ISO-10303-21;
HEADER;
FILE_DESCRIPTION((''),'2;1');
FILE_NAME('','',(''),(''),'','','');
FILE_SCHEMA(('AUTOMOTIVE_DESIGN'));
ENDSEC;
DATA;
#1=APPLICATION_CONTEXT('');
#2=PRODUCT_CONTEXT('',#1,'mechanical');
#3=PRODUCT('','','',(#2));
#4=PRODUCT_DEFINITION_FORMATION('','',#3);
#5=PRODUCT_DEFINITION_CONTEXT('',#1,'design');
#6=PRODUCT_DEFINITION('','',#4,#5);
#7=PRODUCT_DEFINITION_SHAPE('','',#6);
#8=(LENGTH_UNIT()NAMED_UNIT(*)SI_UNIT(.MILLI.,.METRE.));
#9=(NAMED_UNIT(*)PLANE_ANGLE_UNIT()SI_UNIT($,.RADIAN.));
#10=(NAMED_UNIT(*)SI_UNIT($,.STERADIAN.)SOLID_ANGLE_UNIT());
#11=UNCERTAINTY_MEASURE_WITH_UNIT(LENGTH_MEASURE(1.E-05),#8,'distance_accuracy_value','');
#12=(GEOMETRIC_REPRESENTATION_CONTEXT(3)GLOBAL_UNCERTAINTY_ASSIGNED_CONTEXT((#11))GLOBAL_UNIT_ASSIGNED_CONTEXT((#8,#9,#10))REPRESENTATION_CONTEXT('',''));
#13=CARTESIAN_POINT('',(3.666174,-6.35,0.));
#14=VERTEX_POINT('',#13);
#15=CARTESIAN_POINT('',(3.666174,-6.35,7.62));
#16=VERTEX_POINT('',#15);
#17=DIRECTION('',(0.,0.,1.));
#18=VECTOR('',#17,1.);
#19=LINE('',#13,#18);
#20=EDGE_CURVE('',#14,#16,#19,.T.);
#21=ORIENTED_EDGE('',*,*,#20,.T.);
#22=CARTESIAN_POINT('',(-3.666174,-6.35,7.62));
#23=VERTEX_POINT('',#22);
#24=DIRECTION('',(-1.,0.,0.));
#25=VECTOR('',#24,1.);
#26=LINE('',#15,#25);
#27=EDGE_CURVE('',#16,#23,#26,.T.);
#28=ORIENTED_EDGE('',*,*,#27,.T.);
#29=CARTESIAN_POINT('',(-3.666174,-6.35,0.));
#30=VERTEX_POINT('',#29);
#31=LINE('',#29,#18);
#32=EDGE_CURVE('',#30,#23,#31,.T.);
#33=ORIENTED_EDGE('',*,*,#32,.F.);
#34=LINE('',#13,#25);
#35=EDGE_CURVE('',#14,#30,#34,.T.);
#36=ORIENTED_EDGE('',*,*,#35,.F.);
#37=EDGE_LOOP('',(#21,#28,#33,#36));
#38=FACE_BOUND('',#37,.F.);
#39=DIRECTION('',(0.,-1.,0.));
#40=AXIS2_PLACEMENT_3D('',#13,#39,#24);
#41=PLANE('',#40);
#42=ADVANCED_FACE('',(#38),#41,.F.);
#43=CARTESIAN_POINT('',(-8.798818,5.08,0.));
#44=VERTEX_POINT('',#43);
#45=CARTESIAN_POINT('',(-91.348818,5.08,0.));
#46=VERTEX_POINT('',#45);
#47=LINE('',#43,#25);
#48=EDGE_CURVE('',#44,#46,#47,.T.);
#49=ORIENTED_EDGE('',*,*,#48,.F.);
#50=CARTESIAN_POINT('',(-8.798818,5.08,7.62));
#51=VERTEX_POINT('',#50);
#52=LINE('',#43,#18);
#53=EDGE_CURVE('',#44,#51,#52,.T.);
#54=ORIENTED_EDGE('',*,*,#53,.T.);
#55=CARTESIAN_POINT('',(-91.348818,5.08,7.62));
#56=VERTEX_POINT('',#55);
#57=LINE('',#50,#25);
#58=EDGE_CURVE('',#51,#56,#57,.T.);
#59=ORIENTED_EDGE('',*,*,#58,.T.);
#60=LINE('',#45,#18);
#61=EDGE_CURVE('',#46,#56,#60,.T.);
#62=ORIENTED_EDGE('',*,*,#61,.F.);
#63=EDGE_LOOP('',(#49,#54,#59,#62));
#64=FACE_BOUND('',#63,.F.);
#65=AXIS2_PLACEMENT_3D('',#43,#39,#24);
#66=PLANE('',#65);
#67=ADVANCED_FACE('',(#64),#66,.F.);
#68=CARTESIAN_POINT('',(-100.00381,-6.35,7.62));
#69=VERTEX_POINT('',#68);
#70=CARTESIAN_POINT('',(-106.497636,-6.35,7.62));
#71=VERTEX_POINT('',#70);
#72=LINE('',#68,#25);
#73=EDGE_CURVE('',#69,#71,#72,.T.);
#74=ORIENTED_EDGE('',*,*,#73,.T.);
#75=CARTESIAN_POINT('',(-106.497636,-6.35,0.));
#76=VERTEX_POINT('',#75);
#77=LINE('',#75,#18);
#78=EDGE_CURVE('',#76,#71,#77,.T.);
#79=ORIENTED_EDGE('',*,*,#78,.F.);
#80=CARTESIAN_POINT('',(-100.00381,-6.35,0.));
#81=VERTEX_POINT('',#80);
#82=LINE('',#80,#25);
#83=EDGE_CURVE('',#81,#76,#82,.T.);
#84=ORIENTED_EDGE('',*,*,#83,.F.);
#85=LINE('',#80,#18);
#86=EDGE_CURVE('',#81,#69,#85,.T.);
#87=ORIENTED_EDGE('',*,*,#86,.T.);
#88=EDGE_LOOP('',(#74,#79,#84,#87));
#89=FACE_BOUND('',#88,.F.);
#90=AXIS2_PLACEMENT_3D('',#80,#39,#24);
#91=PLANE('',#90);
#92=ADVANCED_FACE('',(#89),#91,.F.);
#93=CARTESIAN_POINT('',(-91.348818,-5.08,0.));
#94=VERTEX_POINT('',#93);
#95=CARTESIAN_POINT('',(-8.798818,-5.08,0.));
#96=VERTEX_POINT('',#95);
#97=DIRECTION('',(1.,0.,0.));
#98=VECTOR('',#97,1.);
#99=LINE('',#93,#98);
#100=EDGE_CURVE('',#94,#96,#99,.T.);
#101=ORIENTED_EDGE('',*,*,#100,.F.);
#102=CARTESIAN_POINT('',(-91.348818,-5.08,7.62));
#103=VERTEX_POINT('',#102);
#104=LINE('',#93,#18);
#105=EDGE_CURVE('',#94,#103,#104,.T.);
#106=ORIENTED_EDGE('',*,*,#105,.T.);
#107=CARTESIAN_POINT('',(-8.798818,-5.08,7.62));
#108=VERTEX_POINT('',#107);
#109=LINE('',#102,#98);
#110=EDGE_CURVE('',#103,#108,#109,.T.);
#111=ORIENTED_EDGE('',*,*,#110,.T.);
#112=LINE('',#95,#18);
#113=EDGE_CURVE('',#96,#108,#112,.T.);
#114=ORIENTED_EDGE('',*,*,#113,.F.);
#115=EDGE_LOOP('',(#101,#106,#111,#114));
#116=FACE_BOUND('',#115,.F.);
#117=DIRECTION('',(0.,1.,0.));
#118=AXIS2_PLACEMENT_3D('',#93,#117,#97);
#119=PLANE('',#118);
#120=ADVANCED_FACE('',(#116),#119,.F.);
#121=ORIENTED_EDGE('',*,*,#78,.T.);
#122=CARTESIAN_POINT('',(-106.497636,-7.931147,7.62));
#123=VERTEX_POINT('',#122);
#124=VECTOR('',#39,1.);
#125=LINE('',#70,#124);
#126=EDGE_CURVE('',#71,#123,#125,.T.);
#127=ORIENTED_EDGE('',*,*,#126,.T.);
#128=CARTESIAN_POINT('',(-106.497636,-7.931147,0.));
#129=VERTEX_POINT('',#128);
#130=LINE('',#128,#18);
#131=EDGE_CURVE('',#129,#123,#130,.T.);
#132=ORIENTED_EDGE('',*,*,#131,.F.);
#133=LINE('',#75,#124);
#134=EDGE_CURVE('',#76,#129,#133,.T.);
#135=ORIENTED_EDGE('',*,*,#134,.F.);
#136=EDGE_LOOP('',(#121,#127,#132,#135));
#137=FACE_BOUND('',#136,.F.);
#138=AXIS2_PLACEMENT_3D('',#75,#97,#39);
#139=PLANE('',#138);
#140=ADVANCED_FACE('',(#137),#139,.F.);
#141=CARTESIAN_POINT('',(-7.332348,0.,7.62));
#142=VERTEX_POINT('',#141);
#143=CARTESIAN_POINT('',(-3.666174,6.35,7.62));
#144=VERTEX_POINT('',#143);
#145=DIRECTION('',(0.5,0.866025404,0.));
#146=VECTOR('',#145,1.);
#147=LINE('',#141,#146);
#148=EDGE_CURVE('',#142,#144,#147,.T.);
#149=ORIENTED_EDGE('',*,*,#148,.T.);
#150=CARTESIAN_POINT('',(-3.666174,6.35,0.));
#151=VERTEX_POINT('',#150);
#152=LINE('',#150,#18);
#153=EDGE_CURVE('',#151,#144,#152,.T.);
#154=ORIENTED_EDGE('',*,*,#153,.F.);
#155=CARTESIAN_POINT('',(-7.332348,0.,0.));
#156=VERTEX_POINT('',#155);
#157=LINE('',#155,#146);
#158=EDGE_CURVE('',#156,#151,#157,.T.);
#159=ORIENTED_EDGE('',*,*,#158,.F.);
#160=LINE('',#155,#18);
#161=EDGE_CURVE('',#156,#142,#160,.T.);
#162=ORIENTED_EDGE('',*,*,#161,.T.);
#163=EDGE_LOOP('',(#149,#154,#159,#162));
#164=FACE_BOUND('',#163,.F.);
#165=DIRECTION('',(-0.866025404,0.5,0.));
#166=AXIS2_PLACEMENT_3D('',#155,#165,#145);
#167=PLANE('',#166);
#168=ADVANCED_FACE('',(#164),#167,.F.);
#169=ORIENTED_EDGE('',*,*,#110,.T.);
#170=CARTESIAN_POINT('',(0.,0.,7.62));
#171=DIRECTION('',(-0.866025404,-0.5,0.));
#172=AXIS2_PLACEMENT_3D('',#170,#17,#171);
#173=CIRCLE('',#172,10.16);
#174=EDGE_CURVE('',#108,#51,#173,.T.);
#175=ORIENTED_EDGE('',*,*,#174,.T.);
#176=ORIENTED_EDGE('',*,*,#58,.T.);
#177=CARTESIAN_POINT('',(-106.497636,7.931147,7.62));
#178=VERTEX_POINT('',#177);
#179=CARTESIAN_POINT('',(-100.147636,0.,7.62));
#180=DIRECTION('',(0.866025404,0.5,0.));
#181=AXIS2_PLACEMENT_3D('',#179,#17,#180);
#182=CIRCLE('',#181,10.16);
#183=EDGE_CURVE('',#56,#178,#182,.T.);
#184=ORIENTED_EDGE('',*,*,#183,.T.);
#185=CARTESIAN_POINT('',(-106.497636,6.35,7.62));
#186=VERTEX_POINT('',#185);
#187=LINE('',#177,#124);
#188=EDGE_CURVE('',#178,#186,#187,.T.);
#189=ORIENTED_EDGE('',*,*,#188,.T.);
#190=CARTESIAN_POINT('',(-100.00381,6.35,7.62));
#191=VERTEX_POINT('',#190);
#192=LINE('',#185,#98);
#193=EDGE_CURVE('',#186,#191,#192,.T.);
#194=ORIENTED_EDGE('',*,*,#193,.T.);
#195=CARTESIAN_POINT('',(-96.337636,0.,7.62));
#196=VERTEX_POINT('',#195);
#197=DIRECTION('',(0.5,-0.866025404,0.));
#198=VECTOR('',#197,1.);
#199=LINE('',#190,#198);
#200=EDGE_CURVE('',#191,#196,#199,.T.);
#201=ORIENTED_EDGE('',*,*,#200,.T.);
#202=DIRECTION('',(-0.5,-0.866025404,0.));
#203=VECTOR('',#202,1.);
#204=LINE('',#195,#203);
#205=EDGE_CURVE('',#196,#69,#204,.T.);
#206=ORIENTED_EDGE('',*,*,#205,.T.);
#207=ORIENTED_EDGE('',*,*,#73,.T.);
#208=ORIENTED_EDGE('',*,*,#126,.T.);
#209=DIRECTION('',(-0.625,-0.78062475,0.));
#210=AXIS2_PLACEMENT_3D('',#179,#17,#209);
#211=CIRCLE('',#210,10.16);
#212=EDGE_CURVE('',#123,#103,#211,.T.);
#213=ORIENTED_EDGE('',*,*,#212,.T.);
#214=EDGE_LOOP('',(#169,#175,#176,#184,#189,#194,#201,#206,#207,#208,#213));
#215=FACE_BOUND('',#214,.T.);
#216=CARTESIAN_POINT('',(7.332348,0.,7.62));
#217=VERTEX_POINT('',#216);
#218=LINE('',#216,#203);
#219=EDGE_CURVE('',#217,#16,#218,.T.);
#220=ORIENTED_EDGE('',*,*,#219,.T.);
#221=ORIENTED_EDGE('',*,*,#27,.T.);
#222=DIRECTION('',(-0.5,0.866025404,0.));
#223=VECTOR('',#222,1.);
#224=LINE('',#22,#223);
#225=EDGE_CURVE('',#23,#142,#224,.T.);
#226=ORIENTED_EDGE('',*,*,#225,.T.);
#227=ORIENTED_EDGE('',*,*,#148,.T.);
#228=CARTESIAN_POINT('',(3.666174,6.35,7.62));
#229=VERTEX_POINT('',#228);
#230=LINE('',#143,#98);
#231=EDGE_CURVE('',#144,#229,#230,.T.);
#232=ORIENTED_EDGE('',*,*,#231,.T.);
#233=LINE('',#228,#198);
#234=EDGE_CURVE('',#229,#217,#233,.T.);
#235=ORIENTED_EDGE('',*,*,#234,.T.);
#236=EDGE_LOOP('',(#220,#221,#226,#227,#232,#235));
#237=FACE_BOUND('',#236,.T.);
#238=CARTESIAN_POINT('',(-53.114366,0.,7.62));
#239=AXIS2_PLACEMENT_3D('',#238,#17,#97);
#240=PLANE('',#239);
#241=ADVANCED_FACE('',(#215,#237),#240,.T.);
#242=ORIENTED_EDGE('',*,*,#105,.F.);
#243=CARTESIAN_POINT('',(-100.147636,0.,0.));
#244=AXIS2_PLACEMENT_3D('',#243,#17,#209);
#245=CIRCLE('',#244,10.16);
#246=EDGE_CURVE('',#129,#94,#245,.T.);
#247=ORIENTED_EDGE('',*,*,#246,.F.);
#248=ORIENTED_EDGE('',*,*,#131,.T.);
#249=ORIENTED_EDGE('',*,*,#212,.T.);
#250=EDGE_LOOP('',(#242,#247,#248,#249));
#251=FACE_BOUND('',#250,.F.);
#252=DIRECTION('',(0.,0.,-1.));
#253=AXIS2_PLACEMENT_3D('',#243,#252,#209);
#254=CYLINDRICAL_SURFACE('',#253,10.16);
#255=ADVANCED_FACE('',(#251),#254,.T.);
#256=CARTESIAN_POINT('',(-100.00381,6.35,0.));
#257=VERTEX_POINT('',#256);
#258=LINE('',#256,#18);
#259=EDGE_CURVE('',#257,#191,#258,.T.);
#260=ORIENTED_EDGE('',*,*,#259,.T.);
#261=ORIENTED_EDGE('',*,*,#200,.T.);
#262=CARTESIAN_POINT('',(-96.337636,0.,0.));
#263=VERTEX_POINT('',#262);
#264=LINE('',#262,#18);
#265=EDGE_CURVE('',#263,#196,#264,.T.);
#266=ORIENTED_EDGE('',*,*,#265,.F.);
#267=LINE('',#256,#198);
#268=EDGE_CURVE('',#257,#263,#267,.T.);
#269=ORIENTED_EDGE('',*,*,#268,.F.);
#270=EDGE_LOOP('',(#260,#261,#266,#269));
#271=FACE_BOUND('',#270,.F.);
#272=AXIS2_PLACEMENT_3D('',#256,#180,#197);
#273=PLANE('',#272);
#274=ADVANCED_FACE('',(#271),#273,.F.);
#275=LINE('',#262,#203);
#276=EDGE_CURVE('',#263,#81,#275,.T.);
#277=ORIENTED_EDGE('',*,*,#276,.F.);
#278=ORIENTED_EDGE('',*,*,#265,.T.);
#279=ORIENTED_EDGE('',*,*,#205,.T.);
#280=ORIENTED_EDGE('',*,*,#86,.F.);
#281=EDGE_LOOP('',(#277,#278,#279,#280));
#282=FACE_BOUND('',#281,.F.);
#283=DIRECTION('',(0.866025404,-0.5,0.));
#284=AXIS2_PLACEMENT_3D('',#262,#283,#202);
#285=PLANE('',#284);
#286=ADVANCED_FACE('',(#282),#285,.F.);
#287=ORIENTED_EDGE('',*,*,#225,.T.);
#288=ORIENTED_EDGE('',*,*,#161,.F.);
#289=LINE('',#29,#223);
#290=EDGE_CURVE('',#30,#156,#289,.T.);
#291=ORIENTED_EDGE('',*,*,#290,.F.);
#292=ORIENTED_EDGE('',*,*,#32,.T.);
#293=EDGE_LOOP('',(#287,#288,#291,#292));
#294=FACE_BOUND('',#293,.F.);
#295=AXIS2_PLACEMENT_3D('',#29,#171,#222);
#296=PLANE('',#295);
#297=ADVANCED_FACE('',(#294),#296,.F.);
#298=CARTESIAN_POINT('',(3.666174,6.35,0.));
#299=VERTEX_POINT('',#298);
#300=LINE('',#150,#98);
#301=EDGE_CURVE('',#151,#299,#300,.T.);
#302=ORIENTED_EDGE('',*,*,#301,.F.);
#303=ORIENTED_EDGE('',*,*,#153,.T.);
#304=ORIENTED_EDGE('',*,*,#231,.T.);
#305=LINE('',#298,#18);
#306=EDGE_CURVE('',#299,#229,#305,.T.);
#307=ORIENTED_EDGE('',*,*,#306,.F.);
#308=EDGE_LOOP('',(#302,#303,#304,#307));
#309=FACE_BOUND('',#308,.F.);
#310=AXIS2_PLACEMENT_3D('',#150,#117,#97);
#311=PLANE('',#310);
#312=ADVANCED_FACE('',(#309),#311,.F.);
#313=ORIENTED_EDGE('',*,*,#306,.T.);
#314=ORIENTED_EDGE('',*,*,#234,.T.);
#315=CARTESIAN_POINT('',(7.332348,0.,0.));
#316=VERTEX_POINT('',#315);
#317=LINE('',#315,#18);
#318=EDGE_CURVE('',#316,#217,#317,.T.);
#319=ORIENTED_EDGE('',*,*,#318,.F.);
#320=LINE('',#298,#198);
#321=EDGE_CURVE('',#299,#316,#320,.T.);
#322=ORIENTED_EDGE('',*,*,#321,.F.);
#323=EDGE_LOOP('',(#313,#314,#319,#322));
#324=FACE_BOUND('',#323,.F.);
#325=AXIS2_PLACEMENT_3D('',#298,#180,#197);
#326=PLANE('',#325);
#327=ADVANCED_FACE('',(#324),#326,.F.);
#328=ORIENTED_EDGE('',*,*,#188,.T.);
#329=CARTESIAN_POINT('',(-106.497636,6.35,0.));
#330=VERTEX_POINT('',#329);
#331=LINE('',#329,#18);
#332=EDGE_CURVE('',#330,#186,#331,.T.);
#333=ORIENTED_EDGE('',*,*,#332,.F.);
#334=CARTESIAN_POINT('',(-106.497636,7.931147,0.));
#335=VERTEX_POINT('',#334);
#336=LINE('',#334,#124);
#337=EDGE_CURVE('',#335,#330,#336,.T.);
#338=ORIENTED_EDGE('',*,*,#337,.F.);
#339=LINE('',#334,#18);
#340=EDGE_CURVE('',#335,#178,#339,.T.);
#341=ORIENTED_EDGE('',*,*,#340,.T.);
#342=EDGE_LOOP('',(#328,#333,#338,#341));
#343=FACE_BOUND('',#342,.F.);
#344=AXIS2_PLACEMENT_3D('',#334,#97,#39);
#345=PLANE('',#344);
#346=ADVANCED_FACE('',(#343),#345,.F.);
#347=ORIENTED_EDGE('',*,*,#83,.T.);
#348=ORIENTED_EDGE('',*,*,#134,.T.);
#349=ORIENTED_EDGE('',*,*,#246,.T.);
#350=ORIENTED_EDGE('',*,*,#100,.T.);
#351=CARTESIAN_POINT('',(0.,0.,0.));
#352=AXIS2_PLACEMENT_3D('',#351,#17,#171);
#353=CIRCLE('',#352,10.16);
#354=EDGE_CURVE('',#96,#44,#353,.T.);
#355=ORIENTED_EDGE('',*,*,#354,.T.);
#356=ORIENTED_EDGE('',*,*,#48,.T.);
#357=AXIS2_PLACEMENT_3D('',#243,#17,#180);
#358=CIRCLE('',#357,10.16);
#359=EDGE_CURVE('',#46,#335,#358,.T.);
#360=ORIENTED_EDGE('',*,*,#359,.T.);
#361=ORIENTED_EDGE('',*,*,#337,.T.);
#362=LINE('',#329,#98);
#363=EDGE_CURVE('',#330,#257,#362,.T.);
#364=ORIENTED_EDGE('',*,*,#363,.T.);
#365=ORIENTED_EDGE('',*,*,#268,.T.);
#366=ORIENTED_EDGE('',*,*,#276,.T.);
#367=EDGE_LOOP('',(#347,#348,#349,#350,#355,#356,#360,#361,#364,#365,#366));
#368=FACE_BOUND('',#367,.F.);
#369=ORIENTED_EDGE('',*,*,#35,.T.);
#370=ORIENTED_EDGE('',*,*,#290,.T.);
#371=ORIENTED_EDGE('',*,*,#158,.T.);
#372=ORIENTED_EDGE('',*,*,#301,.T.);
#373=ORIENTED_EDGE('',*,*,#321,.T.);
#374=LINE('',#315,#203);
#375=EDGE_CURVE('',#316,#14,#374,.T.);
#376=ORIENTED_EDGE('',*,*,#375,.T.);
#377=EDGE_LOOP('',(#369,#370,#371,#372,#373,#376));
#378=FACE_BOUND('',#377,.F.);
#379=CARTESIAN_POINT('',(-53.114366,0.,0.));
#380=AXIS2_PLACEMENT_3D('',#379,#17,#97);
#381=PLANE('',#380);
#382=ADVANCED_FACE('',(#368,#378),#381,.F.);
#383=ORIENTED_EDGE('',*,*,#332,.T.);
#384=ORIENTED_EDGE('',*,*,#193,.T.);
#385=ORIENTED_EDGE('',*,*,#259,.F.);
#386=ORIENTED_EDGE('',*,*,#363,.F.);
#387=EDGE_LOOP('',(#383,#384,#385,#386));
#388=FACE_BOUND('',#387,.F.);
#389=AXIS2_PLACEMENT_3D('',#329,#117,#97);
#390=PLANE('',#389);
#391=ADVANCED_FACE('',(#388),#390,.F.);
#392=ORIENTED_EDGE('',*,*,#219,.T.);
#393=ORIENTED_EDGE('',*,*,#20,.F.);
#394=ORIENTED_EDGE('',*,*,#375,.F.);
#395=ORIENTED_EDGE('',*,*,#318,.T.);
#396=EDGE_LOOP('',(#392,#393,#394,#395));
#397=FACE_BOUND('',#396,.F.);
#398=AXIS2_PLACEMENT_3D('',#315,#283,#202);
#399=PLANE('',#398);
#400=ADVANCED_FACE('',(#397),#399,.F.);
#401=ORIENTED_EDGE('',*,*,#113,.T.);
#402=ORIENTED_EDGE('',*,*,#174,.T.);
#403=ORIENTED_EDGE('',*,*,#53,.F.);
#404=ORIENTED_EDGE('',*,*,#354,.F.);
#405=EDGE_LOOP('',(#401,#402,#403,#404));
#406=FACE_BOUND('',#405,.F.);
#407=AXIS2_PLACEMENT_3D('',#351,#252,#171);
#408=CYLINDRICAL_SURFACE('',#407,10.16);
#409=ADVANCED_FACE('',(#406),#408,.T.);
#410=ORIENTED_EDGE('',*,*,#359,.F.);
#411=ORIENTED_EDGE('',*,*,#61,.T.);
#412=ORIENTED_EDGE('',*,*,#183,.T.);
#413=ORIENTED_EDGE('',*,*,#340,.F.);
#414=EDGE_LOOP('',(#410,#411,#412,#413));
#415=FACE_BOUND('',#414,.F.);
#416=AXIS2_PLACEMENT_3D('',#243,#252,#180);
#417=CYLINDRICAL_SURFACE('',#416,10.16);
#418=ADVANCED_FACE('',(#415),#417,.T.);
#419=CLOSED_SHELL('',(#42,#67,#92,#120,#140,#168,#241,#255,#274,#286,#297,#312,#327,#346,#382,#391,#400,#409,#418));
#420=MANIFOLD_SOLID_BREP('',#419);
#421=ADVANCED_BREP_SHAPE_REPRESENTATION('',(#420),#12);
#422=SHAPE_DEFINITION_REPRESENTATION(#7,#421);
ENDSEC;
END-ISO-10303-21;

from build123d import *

# Parameters (mm, degrees)
BOSS_EXTRUDE1_DEPTH = 7.62


with BuildPart() as part:
    # Sketch1 → Boss-Extrude1 (new body)
    with BuildSketch(Plane.XY):
        with BuildLine():
            ThreePointArc((-8.798818102, -5.08), (10.16, 0), (-8.798818102, 5.08))
            Line((-8.798818102, 5.08), (-91.348818102, 5.08))
            ThreePointArc((-91.348818102, 5.08), (-98.268424141, 9.984696391), (-106.497636205, 7.931147458))
            Line((-106.497636205, 7.931147458), (-106.497636205, 6.35))
            Line((-106.497636205, 6.35), (-100.003810414, 6.35))
            Line((-100.003810414, 6.35), (-96.337636205, 0))
            Line((-96.337636205, 0), (-100.003810414, -6.35))
            Line((-100.003810414, -6.35), (-106.497636205, -6.35))
            Line((-106.497636205, -6.35), (-106.497636205, -7.931147458))
            ThreePointArc((-106.497636205, -7.931147458), (-98.268424141, -9.984696391), (-91.348818102, -5.08))
            Line((-91.348818102, -5.08), (-8.798818102, -5.08))
        make_face()
        Polygon((3.666174209, 6.35), (7.332348419, 0), (3.666174209, -6.35), (-3.666174209, -6.35), (-7.332348419, 0), (-3.666174209, 6.35), align=None, mode=Mode.SUBTRACT)
    extrude(amount=BOSS_EXTRUDE1_DEPTH)


solid = part.part
